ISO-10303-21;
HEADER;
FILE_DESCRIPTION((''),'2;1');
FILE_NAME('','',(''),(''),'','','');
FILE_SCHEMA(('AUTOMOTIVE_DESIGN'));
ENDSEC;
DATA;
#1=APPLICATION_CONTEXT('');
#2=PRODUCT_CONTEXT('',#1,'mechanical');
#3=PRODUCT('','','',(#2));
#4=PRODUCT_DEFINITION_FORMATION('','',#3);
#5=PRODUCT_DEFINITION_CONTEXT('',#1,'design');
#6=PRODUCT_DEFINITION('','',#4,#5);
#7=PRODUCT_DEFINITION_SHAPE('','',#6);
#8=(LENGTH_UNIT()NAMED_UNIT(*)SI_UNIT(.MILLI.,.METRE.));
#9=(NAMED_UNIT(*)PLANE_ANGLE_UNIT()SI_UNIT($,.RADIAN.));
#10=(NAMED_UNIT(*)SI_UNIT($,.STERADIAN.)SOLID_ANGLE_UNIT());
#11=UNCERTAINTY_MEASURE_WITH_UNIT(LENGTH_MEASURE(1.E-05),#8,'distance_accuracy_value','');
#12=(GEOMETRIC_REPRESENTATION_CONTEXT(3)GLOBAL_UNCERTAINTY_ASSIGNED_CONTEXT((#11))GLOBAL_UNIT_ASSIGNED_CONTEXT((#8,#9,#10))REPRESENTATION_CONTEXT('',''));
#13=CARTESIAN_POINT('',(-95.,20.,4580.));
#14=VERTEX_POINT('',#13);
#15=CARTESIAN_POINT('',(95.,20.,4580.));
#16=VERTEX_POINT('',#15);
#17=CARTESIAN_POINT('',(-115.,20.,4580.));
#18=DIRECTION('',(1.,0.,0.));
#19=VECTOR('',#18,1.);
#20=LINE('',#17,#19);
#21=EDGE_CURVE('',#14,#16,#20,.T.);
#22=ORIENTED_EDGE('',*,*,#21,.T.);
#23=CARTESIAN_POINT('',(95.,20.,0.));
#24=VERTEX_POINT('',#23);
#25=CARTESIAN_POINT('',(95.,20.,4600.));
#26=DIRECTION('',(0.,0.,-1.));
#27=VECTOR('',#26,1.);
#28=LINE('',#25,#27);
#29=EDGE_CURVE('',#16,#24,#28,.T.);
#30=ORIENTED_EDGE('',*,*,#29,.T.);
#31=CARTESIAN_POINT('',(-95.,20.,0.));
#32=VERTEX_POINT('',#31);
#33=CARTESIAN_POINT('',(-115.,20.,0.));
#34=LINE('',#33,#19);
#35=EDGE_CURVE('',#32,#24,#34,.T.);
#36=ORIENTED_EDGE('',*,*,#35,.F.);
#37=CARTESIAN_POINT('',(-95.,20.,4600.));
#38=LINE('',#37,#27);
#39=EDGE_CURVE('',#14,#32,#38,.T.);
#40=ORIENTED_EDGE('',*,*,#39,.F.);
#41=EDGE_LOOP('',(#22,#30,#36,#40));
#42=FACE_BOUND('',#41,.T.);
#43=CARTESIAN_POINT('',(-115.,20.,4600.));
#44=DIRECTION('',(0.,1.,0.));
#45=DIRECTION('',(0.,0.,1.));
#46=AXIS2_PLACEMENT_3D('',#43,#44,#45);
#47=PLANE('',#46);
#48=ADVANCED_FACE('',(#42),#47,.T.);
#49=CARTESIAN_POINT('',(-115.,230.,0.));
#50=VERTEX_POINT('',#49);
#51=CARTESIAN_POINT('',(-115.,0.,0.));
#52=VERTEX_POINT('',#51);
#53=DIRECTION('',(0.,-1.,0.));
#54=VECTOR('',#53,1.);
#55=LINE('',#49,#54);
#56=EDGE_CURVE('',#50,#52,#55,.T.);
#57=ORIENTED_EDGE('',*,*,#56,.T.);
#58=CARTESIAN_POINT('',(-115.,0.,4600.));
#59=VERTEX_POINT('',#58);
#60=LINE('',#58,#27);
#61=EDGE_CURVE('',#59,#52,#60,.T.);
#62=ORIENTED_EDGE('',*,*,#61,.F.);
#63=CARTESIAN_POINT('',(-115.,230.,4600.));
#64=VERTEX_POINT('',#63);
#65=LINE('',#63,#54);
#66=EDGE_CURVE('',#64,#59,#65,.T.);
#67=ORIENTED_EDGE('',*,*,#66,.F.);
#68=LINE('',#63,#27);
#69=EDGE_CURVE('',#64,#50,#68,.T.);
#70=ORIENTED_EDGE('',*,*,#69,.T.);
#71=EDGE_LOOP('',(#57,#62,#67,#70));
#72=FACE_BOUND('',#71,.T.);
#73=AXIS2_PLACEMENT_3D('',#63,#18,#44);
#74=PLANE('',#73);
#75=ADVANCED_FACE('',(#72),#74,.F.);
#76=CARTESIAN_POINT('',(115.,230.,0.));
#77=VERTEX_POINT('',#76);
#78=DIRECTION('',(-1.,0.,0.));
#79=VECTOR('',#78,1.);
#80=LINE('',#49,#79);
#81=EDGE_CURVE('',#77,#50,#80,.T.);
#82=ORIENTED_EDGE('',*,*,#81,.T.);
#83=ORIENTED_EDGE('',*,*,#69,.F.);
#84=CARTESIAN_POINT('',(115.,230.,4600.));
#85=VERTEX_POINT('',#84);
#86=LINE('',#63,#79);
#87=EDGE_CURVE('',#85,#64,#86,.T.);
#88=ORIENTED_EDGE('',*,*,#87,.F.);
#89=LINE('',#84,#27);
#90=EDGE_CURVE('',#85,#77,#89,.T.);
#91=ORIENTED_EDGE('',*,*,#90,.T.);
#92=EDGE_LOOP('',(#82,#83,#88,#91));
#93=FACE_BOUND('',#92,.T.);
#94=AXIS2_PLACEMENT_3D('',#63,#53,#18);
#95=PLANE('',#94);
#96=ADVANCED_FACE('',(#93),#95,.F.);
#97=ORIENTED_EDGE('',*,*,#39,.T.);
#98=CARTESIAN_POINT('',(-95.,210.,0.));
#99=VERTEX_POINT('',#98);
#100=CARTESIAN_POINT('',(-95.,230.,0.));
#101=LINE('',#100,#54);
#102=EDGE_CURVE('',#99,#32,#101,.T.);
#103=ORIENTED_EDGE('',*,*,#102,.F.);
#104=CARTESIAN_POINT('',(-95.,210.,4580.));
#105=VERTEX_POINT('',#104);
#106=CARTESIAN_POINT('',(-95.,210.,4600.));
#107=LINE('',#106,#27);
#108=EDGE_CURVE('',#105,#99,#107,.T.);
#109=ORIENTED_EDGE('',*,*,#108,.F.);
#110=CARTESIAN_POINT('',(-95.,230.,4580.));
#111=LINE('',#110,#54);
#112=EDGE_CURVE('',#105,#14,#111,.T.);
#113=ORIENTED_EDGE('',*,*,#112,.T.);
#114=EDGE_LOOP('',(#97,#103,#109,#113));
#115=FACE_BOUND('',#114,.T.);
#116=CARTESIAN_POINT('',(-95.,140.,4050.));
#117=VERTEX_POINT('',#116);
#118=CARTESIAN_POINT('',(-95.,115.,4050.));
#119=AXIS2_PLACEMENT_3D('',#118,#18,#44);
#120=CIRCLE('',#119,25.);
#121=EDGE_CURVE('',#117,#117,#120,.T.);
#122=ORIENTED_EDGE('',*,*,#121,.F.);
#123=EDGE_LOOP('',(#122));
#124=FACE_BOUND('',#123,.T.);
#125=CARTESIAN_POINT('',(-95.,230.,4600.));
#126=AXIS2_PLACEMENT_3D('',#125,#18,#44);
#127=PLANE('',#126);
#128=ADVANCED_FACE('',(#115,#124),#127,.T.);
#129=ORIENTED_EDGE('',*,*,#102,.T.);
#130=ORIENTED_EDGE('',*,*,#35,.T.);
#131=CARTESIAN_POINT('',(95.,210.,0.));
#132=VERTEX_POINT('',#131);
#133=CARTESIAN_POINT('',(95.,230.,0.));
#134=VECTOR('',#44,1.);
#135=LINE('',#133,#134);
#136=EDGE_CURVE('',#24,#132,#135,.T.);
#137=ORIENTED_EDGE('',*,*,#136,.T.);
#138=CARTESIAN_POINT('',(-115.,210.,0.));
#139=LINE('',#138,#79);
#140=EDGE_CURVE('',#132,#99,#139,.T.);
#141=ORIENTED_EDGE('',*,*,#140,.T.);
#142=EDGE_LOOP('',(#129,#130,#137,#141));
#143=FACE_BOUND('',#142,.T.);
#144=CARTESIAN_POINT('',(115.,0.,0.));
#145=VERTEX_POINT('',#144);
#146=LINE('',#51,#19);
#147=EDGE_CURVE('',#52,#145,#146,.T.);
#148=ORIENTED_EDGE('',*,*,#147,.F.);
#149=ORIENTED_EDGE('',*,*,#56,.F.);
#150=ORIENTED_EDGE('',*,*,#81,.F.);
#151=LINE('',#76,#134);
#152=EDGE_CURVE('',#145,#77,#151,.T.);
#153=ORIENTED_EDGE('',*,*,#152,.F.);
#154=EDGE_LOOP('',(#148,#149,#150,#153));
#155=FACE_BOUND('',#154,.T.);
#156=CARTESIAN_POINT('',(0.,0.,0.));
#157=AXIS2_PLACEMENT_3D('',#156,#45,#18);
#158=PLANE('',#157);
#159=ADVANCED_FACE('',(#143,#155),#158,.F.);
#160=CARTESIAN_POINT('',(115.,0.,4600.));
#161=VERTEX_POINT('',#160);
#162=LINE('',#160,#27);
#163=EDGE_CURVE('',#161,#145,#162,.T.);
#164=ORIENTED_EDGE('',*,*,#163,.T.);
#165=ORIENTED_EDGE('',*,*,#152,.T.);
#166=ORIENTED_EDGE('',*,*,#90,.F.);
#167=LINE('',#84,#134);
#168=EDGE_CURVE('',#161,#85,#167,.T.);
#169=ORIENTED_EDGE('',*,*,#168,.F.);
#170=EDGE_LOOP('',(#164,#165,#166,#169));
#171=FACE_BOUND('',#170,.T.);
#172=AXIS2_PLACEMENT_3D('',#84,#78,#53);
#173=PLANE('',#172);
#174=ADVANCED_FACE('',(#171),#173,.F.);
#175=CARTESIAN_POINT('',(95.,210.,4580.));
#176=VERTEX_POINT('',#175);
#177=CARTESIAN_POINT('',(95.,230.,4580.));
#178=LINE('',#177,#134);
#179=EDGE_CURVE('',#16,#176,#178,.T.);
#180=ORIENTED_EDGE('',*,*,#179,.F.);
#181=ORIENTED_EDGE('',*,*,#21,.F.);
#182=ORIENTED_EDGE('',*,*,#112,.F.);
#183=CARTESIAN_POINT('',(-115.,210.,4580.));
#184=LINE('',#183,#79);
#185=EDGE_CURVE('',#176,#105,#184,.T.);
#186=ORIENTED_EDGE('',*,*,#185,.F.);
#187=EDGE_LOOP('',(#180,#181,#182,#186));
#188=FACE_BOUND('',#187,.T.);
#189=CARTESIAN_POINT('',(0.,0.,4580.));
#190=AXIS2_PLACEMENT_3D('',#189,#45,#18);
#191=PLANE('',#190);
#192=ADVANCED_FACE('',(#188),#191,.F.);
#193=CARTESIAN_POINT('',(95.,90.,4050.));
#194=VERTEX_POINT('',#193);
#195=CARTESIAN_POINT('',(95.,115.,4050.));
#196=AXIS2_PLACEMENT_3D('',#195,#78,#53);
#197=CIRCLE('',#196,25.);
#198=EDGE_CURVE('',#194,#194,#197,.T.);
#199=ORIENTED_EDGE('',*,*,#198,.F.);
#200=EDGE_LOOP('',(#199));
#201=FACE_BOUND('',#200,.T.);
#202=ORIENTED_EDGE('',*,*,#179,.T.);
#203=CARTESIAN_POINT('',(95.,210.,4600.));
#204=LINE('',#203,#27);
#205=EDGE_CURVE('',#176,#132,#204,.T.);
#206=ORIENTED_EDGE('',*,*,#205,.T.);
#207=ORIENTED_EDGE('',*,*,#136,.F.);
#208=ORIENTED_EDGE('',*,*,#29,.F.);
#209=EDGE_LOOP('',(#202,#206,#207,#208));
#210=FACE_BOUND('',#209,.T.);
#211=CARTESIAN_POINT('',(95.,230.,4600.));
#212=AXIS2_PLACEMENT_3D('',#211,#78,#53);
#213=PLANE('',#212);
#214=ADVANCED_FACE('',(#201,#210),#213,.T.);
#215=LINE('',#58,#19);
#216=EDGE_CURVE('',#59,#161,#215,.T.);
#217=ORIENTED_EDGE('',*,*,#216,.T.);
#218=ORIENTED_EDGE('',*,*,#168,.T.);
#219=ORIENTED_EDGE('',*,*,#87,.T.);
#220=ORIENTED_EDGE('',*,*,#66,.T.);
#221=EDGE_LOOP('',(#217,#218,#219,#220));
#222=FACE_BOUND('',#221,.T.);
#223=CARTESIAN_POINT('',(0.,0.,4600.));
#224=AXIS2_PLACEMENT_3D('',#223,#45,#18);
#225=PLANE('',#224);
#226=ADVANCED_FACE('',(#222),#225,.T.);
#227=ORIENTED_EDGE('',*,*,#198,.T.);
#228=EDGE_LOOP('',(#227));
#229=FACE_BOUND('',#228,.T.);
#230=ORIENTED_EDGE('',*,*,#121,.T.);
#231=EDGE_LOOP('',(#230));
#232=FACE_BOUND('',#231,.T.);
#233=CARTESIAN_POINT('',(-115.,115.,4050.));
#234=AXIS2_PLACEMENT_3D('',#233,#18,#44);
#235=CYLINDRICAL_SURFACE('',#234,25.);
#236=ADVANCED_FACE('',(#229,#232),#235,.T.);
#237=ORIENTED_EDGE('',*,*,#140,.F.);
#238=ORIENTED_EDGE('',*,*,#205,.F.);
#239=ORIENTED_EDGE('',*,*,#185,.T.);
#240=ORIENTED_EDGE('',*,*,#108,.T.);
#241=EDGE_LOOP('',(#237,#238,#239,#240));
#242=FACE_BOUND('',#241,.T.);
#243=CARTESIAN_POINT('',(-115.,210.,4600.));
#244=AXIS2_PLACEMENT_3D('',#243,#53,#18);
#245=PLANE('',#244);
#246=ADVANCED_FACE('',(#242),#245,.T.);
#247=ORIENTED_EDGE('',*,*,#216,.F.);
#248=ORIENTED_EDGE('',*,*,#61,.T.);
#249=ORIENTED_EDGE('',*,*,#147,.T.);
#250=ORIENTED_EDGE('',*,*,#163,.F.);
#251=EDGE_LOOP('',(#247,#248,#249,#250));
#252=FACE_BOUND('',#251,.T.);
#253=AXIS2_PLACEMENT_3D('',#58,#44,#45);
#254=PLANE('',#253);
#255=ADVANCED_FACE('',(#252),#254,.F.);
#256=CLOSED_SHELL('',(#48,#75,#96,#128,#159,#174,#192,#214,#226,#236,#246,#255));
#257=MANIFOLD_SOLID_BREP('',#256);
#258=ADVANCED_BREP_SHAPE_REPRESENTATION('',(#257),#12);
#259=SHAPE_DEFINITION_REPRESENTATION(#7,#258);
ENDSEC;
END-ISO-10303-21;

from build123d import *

# Parameters (mm, degrees)
SKETCH1_W           = 230
SKETCH1_H           = 230
BOSS_EXTRUDE1_DEPTH = 4600
SHELL1_T            = -20
BOSS_EXTRUDE2_REACH = 4613.486
SKETCH2_R           = 25


with BuildPart() as part:
    # Sketch1 → Boss-Extrude1 (new body)
    with BuildSketch(Plane.XY):
        with Locations((0, 115)):
            Rectangle(SKETCH1_W, SKETCH1_H)
    extrude(amount=BOSS_EXTRUDE1_DEPTH)

    # Shell1
    shell1_openings = [part.faces().sort_by_distance(p)[0] for p in [
        (0, 115, 0),
    ]]
    offset(amount=SHELL1_T, openings=shell1_openings, kind=Kind.INTERSECTION)

    # Sketch2 → Boss-Extrude2 (add, up to next)
    with BuildSketch(Plane(origin=(115, 0, 0), x_dir=(0, 0, -1), z_dir=(1, 0, 0)), mode=Mode.PRIVATE) as boss_extrude2_sk1:
        with Locations(Location((-4050, 115, 0), (0, 0, 90))):
            Circle(SKETCH2_R)
    boss_extrude2_tool1 = extrude(boss_extrude2_sk1.sketch, amount=-BOSS_EXTRUDE2_REACH, mode=Mode.PRIVATE) - part.part
    add(boss_extrude2_tool1.solids().sort_by_distance((115, 115, 4050))[0])


solid = part.part
